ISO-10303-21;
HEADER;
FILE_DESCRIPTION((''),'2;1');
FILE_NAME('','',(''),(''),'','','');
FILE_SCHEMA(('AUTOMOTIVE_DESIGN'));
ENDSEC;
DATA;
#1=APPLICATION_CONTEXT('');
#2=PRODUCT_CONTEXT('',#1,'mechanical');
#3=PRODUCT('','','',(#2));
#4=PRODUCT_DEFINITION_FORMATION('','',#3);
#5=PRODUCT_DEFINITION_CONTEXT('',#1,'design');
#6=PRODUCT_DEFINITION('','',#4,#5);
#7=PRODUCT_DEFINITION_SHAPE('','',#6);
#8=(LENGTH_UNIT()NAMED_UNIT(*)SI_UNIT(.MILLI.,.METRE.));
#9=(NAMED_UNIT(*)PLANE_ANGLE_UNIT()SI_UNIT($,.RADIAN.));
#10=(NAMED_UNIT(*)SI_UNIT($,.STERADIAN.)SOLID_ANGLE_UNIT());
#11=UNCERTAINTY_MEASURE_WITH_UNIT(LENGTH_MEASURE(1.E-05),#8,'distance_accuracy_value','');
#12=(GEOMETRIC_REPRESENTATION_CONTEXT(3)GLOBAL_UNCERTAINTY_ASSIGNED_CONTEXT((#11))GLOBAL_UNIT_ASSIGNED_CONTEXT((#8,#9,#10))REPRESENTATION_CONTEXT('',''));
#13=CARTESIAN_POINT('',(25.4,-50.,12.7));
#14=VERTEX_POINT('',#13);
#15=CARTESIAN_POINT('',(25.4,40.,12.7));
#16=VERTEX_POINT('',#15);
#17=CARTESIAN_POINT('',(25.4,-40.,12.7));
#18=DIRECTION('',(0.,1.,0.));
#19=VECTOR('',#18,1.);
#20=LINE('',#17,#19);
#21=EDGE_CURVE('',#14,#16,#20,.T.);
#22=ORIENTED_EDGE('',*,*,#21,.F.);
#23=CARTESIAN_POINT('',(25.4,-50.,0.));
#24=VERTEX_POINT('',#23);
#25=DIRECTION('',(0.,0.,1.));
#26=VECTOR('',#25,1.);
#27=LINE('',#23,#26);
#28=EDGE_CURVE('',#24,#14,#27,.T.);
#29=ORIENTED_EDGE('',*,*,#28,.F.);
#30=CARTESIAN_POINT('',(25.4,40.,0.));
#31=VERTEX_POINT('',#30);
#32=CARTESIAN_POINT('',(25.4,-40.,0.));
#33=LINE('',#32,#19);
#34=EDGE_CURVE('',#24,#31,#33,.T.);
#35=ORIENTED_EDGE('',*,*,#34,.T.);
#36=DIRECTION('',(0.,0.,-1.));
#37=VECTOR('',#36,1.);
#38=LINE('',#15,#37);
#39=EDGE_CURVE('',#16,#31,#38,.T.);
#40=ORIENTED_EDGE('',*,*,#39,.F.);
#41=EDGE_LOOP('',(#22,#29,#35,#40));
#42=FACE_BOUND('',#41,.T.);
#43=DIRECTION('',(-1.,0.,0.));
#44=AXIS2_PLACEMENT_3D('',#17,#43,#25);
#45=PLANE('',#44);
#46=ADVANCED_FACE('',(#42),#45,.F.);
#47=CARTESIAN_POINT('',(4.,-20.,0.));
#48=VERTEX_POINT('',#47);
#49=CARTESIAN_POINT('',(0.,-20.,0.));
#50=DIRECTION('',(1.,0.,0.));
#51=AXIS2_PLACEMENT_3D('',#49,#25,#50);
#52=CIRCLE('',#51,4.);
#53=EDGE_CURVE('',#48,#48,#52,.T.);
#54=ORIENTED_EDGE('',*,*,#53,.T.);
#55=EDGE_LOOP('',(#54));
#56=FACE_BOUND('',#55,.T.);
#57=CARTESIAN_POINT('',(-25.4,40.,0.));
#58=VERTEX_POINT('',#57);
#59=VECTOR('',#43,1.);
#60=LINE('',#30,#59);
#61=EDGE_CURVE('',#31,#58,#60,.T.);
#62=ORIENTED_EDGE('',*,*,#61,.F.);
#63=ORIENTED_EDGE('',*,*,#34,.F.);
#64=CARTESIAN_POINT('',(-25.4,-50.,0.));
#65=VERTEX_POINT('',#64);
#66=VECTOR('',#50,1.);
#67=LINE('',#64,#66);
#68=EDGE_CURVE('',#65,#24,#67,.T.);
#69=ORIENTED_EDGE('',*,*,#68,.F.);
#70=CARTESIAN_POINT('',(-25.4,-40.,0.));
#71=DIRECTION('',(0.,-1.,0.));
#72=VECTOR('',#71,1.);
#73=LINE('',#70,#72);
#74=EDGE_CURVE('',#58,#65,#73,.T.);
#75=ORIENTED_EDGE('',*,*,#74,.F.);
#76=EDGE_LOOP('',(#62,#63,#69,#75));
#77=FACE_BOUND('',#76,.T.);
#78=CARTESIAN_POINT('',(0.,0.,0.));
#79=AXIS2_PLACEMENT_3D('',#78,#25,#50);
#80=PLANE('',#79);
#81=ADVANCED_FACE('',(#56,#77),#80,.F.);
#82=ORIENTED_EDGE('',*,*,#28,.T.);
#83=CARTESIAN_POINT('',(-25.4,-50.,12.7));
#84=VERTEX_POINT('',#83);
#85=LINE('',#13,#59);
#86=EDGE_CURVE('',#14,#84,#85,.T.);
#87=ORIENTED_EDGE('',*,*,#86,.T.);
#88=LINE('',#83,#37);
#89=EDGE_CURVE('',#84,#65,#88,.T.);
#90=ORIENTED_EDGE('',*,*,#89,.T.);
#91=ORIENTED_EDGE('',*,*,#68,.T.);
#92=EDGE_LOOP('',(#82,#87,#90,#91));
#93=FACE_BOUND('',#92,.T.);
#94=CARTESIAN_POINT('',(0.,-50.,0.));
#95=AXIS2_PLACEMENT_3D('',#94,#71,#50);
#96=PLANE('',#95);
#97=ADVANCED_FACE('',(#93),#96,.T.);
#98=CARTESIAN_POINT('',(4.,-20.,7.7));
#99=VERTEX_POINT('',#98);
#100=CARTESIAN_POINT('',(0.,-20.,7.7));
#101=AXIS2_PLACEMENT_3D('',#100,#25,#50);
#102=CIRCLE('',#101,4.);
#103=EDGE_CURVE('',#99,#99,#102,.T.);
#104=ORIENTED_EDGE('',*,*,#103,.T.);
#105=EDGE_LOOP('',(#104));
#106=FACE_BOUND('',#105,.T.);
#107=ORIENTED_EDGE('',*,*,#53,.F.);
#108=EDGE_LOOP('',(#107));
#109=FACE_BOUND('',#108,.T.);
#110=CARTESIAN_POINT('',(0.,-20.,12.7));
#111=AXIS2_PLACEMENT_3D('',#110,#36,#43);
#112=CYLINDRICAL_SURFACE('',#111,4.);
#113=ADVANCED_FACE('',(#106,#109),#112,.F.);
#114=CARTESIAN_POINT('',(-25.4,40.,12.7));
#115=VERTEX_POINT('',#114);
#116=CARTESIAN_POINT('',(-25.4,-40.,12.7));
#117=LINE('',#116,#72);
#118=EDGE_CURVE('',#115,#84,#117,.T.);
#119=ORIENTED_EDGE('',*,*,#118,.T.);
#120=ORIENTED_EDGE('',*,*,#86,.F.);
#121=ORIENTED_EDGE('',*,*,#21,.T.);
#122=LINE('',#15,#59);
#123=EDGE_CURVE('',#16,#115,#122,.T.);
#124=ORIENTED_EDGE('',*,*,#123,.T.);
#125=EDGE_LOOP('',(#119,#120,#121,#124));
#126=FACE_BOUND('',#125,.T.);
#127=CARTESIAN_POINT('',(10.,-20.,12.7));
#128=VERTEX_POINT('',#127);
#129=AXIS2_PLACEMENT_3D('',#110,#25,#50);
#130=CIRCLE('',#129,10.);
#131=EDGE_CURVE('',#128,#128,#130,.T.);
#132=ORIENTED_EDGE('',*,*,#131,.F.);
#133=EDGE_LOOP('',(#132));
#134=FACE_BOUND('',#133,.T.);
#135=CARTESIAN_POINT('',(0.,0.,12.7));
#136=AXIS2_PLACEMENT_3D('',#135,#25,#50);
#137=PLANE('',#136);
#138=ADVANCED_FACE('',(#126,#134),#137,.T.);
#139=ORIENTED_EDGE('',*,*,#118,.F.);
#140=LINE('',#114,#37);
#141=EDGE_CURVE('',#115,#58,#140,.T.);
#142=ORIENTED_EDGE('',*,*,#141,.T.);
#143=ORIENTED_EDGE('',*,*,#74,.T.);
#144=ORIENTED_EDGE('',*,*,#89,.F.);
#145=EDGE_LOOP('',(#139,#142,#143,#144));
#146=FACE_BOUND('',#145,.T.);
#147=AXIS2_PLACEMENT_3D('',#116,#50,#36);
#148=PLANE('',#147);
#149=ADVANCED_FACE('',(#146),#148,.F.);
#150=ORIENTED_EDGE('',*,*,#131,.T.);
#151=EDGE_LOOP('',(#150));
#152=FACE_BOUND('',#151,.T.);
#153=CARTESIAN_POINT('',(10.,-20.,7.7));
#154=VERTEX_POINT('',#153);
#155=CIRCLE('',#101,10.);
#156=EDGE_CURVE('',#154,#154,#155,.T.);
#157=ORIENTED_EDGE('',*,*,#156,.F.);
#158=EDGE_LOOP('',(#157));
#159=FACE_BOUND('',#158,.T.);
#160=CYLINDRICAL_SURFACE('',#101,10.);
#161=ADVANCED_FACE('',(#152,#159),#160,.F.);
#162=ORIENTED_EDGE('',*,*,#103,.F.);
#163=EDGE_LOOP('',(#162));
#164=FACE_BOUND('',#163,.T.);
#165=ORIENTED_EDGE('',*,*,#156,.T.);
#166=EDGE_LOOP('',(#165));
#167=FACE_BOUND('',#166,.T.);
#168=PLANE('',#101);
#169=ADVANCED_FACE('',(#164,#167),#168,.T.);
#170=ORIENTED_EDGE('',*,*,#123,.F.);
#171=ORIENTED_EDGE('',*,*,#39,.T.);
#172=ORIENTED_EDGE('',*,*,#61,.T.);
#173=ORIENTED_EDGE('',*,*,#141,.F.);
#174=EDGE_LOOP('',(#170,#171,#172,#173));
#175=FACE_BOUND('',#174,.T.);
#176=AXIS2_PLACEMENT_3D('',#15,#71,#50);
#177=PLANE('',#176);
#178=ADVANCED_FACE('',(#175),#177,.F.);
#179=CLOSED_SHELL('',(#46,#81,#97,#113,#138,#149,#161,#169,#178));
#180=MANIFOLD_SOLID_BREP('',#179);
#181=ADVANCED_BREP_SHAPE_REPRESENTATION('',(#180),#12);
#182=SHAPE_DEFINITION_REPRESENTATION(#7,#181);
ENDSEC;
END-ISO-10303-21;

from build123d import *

# Parameters (mm, degrees)
CROQUIS1_W              = 50.8
CROQUIS1_H              = 80
CROQUIS1_R              = 4
SALIENTE_EXTRUIR1_DEPTH = 12.7
CROQUIS2_R              = 10
CORTAR_EXTRUIR1_DEPTH   = 5
CROQUIS3_W              = 50.8
CROQUIS3_H              = 12.7
SALIENTE_EXTRUIR2_DEPTH = 10


with BuildPart() as part:
    # Croquis1 → Saliente-Extruir1 (new body)
    with BuildSketch(Plane.XY):
        Rectangle(CROQUIS1_W, CROQUIS1_H)
        with Locations((0, -20)):
            Circle(CROQUIS1_R, mode=Mode.SUBTRACT)
    extrude(amount=SALIENTE_EXTRUIR1_DEPTH)

    # Croquis2 → Cortar-Extruir1 (cut)
    with BuildSketch(Plane.XY.offset(12.7)):
        with Locations((0, -20)):
            Circle(CROQUIS2_R)
    extrude(amount=-CORTAR_EXTRUIR1_DEPTH, mode=Mode.SUBTRACT)

    # Croquis3 → Saliente-Extruir2 (add)
    with BuildSketch(Plane.XZ.offset(40)):
        with Locations((0, 6.35)):
            Rectangle(CROQUIS3_W, CROQUIS3_H)
    extrude(amount=SALIENTE_EXTRUIR2_DEPTH)


solid = part.part
